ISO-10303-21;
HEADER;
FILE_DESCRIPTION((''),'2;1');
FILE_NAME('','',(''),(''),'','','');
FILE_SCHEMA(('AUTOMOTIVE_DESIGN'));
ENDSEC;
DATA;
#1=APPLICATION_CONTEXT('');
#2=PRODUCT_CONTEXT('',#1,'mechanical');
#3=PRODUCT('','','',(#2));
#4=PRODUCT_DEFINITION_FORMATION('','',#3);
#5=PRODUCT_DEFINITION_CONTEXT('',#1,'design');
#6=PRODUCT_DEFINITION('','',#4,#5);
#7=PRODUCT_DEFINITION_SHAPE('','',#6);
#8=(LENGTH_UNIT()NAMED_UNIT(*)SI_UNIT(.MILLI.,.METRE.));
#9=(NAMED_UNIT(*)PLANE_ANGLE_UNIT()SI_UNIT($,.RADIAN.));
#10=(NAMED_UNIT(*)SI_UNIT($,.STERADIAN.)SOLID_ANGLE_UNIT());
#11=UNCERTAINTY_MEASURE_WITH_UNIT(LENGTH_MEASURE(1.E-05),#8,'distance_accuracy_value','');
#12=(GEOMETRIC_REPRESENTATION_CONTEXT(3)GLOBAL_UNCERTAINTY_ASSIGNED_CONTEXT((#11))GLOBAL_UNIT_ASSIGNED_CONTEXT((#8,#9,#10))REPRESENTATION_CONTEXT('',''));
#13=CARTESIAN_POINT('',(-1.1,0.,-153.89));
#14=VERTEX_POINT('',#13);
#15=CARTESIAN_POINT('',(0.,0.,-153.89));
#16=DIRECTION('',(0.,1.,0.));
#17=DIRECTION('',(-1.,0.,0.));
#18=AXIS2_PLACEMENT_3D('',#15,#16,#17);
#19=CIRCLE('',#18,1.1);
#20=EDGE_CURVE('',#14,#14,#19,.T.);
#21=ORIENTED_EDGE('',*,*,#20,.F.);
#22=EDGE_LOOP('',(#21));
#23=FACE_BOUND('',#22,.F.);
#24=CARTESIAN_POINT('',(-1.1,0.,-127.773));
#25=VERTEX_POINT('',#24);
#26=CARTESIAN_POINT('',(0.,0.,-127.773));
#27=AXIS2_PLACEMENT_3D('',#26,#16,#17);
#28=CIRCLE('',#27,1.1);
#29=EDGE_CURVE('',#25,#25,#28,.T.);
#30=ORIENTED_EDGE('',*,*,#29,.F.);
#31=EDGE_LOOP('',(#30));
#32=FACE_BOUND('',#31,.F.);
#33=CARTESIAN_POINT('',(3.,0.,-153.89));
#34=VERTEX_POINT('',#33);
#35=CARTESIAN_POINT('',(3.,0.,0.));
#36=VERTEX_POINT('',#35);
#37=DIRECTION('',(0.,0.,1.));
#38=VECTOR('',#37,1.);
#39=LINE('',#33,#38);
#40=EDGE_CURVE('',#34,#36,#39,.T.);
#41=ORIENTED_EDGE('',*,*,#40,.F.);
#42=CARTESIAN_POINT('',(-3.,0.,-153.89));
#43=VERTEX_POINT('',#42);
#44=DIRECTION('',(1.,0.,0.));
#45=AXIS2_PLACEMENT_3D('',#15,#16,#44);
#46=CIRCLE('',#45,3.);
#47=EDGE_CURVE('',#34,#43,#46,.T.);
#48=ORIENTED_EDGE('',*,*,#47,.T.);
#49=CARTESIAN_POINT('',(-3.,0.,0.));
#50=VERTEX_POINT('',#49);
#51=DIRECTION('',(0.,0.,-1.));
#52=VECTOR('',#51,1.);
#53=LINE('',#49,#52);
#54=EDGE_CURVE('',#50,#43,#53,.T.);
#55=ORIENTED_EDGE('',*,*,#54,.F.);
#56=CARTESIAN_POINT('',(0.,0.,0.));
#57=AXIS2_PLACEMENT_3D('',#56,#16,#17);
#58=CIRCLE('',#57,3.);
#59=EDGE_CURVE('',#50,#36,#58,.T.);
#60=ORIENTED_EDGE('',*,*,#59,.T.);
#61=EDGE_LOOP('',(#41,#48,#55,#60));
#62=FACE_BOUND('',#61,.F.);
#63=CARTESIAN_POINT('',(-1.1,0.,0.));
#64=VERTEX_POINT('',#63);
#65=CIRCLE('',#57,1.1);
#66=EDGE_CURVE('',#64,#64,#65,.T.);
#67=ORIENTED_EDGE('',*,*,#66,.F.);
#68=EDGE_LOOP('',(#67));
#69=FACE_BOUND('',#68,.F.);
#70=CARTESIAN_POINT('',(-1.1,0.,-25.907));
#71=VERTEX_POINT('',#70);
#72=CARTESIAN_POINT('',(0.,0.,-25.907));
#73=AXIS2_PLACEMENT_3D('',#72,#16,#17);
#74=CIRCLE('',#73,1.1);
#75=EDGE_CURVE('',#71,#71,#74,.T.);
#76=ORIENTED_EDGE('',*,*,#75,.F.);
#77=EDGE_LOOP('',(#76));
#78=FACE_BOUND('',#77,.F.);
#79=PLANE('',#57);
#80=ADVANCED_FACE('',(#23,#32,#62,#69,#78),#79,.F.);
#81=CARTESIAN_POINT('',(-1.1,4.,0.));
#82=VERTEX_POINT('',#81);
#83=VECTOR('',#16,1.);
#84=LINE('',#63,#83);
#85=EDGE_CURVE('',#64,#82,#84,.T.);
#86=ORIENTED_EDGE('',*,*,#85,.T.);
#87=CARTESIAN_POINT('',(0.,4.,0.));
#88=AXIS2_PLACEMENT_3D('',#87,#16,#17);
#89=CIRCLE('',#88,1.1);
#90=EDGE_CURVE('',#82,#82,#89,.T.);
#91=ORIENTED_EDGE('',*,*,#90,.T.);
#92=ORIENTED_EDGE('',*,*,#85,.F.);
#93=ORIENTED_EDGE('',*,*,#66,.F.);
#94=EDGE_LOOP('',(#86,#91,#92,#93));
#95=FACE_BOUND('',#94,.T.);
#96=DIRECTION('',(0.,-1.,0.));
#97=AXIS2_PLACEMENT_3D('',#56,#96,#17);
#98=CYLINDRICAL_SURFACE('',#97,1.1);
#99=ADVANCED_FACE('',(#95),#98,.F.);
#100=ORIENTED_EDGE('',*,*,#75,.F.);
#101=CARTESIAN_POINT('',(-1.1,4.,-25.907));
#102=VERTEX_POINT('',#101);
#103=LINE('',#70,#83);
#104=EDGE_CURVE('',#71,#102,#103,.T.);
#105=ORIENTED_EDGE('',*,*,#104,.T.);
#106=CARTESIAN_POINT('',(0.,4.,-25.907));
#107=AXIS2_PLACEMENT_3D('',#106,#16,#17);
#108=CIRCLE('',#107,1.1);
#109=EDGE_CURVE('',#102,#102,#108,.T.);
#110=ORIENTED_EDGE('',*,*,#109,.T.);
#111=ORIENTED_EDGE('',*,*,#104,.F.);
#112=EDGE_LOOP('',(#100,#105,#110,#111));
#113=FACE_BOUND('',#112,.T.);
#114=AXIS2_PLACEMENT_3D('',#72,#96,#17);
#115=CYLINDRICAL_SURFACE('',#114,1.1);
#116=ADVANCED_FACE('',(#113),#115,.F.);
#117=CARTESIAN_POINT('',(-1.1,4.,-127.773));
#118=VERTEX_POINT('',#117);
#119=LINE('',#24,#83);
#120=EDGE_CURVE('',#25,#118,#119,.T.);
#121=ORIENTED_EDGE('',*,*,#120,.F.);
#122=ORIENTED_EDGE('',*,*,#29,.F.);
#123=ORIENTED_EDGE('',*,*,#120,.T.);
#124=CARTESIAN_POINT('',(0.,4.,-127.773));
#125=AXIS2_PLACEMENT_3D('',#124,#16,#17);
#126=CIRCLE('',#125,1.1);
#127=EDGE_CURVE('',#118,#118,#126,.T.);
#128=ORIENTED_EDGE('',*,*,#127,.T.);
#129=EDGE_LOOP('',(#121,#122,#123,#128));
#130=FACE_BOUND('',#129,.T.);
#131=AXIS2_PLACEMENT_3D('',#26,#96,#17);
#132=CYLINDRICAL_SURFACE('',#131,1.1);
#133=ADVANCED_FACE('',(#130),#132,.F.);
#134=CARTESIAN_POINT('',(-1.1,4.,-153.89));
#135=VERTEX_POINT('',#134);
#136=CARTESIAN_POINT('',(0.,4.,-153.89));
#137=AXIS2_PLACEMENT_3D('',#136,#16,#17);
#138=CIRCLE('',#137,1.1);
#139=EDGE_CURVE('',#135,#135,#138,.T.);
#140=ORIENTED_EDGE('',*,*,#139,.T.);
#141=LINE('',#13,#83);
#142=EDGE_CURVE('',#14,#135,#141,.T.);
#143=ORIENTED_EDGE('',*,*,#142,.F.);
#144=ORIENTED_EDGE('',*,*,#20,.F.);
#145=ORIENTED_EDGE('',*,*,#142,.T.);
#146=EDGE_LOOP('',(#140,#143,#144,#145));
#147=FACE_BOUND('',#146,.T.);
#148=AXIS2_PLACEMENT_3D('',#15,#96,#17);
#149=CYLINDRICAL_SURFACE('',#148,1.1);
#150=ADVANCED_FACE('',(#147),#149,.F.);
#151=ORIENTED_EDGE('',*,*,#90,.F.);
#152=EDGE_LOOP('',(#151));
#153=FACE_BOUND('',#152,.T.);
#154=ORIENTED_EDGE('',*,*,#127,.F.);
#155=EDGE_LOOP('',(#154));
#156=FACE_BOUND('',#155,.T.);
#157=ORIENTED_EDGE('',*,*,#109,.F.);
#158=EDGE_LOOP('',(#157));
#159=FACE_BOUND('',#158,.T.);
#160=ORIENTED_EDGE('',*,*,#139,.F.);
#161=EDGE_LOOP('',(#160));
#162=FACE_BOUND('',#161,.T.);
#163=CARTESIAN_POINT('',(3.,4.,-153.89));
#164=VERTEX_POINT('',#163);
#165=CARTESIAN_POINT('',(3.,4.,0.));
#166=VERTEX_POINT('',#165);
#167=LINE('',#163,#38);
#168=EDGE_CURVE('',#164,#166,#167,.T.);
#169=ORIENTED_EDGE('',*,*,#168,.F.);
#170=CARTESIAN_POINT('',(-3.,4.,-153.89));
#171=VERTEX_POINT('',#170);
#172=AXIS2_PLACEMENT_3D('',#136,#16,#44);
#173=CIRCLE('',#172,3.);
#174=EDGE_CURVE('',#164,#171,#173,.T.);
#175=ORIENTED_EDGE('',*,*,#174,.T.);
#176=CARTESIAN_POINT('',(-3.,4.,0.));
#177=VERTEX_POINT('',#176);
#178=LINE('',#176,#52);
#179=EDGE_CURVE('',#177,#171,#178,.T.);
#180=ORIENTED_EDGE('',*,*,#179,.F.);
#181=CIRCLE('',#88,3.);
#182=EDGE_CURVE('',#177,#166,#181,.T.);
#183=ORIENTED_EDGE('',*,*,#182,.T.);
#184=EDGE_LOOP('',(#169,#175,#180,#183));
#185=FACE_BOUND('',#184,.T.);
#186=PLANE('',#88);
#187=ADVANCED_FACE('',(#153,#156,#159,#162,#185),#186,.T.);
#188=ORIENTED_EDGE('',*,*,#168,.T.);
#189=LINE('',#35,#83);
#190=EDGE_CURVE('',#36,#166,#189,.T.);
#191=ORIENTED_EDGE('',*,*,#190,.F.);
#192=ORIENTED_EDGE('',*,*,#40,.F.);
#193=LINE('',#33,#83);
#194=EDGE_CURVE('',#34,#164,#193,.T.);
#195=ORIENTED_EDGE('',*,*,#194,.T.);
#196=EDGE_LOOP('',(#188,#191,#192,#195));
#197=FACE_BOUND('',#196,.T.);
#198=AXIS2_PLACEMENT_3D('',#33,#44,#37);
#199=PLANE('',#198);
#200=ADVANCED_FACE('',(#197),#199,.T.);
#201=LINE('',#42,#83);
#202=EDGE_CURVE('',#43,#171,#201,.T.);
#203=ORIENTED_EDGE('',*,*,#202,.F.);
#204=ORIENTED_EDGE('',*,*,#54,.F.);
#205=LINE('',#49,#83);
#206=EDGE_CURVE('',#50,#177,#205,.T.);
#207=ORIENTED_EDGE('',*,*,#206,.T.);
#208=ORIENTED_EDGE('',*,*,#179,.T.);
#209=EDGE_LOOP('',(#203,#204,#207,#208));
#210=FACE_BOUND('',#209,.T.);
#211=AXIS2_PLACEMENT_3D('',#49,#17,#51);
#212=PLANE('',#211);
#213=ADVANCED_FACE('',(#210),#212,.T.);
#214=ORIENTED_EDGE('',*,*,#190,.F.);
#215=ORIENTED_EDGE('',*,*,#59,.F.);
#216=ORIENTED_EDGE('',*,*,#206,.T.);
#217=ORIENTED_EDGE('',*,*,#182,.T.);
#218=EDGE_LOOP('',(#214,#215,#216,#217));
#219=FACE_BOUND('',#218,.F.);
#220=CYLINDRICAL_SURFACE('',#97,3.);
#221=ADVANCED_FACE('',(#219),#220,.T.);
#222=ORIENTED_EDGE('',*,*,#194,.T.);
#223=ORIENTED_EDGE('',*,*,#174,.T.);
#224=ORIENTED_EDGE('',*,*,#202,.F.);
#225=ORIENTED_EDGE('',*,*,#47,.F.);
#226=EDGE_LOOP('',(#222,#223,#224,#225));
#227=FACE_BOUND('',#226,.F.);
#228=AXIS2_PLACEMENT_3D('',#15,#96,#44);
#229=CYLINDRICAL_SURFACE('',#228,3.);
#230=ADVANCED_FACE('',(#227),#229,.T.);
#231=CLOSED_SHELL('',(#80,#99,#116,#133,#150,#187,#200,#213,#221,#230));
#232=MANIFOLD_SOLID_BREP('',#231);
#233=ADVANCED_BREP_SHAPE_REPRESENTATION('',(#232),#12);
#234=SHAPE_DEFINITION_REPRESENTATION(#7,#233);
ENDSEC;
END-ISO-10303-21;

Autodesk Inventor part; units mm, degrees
ref_plane "YZ Plane" through (0, 0, 0) normal (1, 0, 0) x (0, 1, 0)
ref_plane "XZ Plane" through (0, 0, 0) normal (0, 1, 0) x (-1, 0, 0)
ref_plane "XY Plane" through (0, 0, 0) normal (0, 0, 1) x (1, 0, 0)
sketch "Sketch1" plane through (0, 0, 0) normal (0, 1, 0) x (-1, 0, 0)
  line L0 (0, 0) -> (0, -153.89) construction
  line L1 (3, 0) -> (3, -153.89)
  line L2 (-3, -153.89) -> (-3, 0)
  arc A0 (3, 0) -> (-3, 0) centre (0, 0) ccw
  arc A1 (-3, -153.89) -> (3, -153.89) centre (0, -153.89) ccw
  circle A2 centre (0, 0) radius 1.1
  circle A3 centre (0, -153.89) radius 1.1
  circle A4 centre (0, -25.907) radius 1.1
  circle A5 centre (0, -127.773) radius 1.1
  point P0 (0, -76.945)
  dimension "d0" = 2.2
  dimension "d1" = 2.2
  dimension "d2" = 6
  dimension "d3" = 153.89
  dimension "d10" = 2.2
  dimension "d11" = 25.907
  dimension "d12" = 2.2
  dimension "d13" = 127.773
extrude "Extrusion1" add sketch "Sketch1" along normal blind 4
